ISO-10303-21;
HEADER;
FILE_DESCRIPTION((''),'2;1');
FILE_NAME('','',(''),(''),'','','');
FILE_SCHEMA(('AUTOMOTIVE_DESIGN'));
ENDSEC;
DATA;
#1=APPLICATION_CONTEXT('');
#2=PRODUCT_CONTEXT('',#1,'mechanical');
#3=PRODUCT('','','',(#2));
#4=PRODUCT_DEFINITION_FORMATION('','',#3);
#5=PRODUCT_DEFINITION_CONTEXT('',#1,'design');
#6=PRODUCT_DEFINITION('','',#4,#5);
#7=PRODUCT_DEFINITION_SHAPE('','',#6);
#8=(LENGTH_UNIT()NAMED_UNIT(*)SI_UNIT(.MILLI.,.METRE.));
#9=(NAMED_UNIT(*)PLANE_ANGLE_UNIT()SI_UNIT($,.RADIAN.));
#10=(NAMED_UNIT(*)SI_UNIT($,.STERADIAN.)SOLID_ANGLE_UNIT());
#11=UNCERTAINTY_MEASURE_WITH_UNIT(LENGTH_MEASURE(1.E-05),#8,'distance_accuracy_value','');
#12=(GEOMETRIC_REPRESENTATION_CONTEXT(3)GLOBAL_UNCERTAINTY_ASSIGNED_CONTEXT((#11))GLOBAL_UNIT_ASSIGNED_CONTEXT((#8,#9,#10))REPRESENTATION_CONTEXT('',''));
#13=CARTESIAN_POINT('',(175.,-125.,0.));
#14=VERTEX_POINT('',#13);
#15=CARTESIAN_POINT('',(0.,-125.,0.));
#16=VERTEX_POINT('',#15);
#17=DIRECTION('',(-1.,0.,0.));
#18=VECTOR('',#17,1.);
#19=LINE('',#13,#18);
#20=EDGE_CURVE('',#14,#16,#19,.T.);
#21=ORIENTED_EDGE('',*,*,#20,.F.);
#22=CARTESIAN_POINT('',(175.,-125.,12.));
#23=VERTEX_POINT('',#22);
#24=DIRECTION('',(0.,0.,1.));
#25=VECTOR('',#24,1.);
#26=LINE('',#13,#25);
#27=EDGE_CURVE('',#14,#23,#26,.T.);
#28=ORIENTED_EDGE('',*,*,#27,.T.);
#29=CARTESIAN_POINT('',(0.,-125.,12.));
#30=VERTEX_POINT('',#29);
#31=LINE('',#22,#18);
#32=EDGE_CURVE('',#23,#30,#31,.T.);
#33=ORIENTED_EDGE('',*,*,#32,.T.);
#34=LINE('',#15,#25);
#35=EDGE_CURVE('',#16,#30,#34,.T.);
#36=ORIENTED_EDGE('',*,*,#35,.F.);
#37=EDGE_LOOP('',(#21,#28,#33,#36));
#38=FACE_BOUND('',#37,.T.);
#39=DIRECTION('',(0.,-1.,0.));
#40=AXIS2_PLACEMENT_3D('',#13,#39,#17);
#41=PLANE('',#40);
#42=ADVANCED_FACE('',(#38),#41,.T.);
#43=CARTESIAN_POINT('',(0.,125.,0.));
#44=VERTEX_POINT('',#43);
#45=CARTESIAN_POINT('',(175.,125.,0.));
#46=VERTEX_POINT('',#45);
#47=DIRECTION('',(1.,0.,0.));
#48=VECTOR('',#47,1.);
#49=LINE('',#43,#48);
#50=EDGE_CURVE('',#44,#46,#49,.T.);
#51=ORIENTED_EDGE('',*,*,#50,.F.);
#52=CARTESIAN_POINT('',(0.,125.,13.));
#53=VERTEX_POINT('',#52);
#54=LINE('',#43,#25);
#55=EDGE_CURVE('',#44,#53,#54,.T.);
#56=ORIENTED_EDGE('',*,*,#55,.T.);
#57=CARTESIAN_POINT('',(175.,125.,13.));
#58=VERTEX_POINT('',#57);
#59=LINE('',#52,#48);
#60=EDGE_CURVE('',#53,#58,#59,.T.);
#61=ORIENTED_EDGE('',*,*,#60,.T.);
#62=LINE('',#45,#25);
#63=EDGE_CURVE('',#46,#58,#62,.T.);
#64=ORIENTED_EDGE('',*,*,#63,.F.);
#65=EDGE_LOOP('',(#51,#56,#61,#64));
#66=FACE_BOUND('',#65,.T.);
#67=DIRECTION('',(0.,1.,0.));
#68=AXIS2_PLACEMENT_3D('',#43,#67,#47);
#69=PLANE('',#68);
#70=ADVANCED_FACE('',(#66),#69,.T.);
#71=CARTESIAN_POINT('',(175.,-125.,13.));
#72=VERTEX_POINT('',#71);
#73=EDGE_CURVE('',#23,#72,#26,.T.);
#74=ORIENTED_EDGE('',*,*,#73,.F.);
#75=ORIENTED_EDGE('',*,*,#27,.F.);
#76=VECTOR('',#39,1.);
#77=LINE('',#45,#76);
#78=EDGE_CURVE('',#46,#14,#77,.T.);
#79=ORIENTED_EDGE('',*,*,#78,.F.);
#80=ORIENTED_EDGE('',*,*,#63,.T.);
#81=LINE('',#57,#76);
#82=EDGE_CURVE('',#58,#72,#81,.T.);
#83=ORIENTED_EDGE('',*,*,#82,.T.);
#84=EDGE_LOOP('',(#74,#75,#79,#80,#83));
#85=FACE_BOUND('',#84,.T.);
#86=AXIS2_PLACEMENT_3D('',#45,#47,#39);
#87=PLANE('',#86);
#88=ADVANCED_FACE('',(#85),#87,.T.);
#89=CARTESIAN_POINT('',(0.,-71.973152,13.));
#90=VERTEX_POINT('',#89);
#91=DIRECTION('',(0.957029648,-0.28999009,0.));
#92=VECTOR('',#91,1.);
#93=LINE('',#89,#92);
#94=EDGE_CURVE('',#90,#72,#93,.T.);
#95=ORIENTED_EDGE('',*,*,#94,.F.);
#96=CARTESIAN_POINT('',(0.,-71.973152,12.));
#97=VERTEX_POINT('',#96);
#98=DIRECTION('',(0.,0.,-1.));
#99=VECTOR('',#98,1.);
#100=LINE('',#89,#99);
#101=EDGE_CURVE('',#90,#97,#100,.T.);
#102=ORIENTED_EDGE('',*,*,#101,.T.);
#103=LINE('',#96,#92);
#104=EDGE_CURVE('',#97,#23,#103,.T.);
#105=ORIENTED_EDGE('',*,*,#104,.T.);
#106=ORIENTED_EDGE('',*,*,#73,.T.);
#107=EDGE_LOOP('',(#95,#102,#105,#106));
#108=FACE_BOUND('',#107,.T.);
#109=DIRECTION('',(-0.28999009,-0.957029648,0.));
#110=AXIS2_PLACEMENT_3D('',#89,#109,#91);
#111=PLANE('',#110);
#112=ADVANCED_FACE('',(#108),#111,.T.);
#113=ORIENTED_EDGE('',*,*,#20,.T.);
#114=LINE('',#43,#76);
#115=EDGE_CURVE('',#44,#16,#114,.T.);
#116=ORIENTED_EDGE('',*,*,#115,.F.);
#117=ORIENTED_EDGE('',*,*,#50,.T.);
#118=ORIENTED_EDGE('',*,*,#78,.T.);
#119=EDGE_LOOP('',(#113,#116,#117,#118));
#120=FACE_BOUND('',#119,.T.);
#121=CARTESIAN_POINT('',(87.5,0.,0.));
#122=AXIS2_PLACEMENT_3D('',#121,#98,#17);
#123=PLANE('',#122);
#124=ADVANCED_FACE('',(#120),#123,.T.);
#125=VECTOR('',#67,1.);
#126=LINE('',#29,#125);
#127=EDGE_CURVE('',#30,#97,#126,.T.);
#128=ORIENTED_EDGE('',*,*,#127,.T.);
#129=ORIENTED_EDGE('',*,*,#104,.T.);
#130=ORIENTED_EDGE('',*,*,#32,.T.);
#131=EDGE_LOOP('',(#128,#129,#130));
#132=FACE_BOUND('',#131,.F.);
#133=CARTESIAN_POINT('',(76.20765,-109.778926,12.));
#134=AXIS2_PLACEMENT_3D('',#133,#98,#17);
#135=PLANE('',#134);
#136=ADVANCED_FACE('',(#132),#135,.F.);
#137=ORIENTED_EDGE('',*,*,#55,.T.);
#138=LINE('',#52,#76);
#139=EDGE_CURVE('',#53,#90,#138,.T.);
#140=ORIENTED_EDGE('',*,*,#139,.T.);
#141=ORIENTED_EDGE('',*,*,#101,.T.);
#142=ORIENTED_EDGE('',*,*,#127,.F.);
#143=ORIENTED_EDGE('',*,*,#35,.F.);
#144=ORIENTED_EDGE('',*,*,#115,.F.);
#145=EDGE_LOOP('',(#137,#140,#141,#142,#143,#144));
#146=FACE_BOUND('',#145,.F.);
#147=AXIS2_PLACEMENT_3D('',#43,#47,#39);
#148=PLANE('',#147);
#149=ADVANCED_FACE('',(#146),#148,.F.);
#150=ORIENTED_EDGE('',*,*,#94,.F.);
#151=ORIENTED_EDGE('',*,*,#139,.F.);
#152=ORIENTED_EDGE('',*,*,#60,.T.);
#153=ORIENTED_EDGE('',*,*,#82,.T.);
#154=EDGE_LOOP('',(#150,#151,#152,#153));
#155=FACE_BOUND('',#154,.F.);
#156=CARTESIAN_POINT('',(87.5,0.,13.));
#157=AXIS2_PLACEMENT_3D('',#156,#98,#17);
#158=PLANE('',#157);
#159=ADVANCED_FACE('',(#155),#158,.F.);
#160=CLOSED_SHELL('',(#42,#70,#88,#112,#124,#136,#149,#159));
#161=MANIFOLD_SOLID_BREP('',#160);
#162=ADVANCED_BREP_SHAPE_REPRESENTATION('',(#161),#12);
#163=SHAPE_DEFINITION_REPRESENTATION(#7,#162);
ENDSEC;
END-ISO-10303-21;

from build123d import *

# Parameters (mm, degrees)
PAD_DEPTH    = 13
POCKET_DEPTH = 1


with BuildPart() as part:
    # Sketch → Pad (new body)
    with BuildSketch(Plane.XY):
        Polygon((0, 0), (0, 125), (175, 125), (175, -125), (0, -125), align=None)
    extrude(amount=PAD_DEPTH)

    # Sketch002 (on Face7 of Pad) → Pocket (cut)
    with BuildSketch(Plane.XY.offset(13)):
        Polygon((0, -125), (0, -71.973152), (175, -125), align=None)
    extrude(amount=-POCKET_DEPTH, mode=Mode.SUBTRACT)


solid = part.part
